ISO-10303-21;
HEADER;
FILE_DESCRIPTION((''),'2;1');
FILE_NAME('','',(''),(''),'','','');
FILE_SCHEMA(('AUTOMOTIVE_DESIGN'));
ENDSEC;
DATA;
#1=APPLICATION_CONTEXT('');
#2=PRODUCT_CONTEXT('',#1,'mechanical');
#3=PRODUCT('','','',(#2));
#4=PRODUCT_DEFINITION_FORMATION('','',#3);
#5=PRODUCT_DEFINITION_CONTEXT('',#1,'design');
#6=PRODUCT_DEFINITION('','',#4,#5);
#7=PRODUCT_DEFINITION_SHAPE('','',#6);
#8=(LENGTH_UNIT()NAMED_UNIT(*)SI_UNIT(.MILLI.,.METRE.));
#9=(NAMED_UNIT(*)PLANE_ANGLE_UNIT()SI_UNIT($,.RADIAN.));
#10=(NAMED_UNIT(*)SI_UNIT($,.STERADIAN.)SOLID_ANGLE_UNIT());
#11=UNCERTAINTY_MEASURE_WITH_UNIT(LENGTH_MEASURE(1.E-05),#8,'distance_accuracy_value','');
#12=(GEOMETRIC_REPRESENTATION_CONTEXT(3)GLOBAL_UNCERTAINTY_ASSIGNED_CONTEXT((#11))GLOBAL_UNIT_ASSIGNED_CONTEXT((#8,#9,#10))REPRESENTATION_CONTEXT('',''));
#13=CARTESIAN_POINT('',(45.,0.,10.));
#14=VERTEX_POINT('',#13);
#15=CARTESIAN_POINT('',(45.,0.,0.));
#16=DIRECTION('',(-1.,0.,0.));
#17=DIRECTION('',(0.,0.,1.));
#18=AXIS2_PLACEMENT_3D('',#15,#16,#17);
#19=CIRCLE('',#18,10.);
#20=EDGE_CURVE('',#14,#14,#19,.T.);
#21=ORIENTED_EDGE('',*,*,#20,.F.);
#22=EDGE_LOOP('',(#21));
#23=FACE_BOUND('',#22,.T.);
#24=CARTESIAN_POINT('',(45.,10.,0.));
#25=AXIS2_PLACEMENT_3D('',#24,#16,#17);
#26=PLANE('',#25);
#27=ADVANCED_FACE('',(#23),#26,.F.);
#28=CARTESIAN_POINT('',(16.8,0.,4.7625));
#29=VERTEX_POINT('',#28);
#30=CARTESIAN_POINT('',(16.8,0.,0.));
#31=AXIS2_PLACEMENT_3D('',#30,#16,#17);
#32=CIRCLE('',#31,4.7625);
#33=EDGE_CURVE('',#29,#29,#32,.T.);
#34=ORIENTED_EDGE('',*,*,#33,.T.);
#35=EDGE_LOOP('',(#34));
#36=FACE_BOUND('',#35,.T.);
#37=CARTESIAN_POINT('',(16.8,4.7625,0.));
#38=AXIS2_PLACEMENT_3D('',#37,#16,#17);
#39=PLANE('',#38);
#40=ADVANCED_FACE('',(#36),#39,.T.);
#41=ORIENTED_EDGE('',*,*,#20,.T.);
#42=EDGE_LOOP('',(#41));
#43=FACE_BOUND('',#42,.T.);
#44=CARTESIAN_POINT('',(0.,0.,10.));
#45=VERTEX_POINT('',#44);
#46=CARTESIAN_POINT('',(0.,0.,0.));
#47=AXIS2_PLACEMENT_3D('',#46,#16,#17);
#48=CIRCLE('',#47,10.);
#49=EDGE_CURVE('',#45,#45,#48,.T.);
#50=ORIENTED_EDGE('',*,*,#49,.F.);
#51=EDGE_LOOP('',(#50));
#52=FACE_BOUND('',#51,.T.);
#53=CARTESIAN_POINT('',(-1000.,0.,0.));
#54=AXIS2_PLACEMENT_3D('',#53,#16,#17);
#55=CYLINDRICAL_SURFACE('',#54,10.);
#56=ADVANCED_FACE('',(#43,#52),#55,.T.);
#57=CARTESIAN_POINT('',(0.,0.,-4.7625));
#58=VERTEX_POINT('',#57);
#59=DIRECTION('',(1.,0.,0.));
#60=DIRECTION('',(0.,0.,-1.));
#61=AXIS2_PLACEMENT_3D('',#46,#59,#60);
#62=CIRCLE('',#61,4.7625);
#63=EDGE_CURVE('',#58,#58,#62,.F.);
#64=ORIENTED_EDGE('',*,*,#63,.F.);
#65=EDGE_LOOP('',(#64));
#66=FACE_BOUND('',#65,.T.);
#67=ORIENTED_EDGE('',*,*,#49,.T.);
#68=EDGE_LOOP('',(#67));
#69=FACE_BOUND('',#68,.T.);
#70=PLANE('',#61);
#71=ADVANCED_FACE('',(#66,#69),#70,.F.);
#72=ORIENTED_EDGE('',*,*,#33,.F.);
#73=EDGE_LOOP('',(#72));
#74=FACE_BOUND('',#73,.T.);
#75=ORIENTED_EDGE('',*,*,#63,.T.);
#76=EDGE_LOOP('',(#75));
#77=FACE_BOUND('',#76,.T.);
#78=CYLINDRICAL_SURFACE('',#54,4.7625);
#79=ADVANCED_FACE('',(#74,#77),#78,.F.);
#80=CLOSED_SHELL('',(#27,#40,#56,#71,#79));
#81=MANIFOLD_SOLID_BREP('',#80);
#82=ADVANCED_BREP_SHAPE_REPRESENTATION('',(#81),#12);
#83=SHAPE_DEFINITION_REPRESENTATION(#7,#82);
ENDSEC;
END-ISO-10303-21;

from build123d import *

# Parameters (mm, degrees)
HOSE_END_6_SKETCH_W = 45
HOSE_END_6_SKETCH_H = 10
SOCKET_1_SKETCH_W   = 17.8
SOCKET_1_SKETCH_H   = 4.7625


with BuildPart() as part:
    # Hose_End_6 Sketch → Hose_End_6 (revolve)
    with BuildSketch(Plane.XY):
        with Locations((22.5, 5)):
            Rectangle(HOSE_END_6_SKETCH_W, HOSE_END_6_SKETCH_H)
    revolve(axis=Axis((-1000, 0, 0), (1, 0, 0)))

    # Socket 1 Sketch → Socket 1 (revolve, cut)
    with BuildSketch(Plane.XY):
        with Locations((7.9, 2.38125)):
            Rectangle(SOCKET_1_SKETCH_W, SOCKET_1_SKETCH_H)
    revolve(axis=Axis((-1000, 0, 0), (1, 0, 0)), mode=Mode.SUBTRACT)


solid = part.part
